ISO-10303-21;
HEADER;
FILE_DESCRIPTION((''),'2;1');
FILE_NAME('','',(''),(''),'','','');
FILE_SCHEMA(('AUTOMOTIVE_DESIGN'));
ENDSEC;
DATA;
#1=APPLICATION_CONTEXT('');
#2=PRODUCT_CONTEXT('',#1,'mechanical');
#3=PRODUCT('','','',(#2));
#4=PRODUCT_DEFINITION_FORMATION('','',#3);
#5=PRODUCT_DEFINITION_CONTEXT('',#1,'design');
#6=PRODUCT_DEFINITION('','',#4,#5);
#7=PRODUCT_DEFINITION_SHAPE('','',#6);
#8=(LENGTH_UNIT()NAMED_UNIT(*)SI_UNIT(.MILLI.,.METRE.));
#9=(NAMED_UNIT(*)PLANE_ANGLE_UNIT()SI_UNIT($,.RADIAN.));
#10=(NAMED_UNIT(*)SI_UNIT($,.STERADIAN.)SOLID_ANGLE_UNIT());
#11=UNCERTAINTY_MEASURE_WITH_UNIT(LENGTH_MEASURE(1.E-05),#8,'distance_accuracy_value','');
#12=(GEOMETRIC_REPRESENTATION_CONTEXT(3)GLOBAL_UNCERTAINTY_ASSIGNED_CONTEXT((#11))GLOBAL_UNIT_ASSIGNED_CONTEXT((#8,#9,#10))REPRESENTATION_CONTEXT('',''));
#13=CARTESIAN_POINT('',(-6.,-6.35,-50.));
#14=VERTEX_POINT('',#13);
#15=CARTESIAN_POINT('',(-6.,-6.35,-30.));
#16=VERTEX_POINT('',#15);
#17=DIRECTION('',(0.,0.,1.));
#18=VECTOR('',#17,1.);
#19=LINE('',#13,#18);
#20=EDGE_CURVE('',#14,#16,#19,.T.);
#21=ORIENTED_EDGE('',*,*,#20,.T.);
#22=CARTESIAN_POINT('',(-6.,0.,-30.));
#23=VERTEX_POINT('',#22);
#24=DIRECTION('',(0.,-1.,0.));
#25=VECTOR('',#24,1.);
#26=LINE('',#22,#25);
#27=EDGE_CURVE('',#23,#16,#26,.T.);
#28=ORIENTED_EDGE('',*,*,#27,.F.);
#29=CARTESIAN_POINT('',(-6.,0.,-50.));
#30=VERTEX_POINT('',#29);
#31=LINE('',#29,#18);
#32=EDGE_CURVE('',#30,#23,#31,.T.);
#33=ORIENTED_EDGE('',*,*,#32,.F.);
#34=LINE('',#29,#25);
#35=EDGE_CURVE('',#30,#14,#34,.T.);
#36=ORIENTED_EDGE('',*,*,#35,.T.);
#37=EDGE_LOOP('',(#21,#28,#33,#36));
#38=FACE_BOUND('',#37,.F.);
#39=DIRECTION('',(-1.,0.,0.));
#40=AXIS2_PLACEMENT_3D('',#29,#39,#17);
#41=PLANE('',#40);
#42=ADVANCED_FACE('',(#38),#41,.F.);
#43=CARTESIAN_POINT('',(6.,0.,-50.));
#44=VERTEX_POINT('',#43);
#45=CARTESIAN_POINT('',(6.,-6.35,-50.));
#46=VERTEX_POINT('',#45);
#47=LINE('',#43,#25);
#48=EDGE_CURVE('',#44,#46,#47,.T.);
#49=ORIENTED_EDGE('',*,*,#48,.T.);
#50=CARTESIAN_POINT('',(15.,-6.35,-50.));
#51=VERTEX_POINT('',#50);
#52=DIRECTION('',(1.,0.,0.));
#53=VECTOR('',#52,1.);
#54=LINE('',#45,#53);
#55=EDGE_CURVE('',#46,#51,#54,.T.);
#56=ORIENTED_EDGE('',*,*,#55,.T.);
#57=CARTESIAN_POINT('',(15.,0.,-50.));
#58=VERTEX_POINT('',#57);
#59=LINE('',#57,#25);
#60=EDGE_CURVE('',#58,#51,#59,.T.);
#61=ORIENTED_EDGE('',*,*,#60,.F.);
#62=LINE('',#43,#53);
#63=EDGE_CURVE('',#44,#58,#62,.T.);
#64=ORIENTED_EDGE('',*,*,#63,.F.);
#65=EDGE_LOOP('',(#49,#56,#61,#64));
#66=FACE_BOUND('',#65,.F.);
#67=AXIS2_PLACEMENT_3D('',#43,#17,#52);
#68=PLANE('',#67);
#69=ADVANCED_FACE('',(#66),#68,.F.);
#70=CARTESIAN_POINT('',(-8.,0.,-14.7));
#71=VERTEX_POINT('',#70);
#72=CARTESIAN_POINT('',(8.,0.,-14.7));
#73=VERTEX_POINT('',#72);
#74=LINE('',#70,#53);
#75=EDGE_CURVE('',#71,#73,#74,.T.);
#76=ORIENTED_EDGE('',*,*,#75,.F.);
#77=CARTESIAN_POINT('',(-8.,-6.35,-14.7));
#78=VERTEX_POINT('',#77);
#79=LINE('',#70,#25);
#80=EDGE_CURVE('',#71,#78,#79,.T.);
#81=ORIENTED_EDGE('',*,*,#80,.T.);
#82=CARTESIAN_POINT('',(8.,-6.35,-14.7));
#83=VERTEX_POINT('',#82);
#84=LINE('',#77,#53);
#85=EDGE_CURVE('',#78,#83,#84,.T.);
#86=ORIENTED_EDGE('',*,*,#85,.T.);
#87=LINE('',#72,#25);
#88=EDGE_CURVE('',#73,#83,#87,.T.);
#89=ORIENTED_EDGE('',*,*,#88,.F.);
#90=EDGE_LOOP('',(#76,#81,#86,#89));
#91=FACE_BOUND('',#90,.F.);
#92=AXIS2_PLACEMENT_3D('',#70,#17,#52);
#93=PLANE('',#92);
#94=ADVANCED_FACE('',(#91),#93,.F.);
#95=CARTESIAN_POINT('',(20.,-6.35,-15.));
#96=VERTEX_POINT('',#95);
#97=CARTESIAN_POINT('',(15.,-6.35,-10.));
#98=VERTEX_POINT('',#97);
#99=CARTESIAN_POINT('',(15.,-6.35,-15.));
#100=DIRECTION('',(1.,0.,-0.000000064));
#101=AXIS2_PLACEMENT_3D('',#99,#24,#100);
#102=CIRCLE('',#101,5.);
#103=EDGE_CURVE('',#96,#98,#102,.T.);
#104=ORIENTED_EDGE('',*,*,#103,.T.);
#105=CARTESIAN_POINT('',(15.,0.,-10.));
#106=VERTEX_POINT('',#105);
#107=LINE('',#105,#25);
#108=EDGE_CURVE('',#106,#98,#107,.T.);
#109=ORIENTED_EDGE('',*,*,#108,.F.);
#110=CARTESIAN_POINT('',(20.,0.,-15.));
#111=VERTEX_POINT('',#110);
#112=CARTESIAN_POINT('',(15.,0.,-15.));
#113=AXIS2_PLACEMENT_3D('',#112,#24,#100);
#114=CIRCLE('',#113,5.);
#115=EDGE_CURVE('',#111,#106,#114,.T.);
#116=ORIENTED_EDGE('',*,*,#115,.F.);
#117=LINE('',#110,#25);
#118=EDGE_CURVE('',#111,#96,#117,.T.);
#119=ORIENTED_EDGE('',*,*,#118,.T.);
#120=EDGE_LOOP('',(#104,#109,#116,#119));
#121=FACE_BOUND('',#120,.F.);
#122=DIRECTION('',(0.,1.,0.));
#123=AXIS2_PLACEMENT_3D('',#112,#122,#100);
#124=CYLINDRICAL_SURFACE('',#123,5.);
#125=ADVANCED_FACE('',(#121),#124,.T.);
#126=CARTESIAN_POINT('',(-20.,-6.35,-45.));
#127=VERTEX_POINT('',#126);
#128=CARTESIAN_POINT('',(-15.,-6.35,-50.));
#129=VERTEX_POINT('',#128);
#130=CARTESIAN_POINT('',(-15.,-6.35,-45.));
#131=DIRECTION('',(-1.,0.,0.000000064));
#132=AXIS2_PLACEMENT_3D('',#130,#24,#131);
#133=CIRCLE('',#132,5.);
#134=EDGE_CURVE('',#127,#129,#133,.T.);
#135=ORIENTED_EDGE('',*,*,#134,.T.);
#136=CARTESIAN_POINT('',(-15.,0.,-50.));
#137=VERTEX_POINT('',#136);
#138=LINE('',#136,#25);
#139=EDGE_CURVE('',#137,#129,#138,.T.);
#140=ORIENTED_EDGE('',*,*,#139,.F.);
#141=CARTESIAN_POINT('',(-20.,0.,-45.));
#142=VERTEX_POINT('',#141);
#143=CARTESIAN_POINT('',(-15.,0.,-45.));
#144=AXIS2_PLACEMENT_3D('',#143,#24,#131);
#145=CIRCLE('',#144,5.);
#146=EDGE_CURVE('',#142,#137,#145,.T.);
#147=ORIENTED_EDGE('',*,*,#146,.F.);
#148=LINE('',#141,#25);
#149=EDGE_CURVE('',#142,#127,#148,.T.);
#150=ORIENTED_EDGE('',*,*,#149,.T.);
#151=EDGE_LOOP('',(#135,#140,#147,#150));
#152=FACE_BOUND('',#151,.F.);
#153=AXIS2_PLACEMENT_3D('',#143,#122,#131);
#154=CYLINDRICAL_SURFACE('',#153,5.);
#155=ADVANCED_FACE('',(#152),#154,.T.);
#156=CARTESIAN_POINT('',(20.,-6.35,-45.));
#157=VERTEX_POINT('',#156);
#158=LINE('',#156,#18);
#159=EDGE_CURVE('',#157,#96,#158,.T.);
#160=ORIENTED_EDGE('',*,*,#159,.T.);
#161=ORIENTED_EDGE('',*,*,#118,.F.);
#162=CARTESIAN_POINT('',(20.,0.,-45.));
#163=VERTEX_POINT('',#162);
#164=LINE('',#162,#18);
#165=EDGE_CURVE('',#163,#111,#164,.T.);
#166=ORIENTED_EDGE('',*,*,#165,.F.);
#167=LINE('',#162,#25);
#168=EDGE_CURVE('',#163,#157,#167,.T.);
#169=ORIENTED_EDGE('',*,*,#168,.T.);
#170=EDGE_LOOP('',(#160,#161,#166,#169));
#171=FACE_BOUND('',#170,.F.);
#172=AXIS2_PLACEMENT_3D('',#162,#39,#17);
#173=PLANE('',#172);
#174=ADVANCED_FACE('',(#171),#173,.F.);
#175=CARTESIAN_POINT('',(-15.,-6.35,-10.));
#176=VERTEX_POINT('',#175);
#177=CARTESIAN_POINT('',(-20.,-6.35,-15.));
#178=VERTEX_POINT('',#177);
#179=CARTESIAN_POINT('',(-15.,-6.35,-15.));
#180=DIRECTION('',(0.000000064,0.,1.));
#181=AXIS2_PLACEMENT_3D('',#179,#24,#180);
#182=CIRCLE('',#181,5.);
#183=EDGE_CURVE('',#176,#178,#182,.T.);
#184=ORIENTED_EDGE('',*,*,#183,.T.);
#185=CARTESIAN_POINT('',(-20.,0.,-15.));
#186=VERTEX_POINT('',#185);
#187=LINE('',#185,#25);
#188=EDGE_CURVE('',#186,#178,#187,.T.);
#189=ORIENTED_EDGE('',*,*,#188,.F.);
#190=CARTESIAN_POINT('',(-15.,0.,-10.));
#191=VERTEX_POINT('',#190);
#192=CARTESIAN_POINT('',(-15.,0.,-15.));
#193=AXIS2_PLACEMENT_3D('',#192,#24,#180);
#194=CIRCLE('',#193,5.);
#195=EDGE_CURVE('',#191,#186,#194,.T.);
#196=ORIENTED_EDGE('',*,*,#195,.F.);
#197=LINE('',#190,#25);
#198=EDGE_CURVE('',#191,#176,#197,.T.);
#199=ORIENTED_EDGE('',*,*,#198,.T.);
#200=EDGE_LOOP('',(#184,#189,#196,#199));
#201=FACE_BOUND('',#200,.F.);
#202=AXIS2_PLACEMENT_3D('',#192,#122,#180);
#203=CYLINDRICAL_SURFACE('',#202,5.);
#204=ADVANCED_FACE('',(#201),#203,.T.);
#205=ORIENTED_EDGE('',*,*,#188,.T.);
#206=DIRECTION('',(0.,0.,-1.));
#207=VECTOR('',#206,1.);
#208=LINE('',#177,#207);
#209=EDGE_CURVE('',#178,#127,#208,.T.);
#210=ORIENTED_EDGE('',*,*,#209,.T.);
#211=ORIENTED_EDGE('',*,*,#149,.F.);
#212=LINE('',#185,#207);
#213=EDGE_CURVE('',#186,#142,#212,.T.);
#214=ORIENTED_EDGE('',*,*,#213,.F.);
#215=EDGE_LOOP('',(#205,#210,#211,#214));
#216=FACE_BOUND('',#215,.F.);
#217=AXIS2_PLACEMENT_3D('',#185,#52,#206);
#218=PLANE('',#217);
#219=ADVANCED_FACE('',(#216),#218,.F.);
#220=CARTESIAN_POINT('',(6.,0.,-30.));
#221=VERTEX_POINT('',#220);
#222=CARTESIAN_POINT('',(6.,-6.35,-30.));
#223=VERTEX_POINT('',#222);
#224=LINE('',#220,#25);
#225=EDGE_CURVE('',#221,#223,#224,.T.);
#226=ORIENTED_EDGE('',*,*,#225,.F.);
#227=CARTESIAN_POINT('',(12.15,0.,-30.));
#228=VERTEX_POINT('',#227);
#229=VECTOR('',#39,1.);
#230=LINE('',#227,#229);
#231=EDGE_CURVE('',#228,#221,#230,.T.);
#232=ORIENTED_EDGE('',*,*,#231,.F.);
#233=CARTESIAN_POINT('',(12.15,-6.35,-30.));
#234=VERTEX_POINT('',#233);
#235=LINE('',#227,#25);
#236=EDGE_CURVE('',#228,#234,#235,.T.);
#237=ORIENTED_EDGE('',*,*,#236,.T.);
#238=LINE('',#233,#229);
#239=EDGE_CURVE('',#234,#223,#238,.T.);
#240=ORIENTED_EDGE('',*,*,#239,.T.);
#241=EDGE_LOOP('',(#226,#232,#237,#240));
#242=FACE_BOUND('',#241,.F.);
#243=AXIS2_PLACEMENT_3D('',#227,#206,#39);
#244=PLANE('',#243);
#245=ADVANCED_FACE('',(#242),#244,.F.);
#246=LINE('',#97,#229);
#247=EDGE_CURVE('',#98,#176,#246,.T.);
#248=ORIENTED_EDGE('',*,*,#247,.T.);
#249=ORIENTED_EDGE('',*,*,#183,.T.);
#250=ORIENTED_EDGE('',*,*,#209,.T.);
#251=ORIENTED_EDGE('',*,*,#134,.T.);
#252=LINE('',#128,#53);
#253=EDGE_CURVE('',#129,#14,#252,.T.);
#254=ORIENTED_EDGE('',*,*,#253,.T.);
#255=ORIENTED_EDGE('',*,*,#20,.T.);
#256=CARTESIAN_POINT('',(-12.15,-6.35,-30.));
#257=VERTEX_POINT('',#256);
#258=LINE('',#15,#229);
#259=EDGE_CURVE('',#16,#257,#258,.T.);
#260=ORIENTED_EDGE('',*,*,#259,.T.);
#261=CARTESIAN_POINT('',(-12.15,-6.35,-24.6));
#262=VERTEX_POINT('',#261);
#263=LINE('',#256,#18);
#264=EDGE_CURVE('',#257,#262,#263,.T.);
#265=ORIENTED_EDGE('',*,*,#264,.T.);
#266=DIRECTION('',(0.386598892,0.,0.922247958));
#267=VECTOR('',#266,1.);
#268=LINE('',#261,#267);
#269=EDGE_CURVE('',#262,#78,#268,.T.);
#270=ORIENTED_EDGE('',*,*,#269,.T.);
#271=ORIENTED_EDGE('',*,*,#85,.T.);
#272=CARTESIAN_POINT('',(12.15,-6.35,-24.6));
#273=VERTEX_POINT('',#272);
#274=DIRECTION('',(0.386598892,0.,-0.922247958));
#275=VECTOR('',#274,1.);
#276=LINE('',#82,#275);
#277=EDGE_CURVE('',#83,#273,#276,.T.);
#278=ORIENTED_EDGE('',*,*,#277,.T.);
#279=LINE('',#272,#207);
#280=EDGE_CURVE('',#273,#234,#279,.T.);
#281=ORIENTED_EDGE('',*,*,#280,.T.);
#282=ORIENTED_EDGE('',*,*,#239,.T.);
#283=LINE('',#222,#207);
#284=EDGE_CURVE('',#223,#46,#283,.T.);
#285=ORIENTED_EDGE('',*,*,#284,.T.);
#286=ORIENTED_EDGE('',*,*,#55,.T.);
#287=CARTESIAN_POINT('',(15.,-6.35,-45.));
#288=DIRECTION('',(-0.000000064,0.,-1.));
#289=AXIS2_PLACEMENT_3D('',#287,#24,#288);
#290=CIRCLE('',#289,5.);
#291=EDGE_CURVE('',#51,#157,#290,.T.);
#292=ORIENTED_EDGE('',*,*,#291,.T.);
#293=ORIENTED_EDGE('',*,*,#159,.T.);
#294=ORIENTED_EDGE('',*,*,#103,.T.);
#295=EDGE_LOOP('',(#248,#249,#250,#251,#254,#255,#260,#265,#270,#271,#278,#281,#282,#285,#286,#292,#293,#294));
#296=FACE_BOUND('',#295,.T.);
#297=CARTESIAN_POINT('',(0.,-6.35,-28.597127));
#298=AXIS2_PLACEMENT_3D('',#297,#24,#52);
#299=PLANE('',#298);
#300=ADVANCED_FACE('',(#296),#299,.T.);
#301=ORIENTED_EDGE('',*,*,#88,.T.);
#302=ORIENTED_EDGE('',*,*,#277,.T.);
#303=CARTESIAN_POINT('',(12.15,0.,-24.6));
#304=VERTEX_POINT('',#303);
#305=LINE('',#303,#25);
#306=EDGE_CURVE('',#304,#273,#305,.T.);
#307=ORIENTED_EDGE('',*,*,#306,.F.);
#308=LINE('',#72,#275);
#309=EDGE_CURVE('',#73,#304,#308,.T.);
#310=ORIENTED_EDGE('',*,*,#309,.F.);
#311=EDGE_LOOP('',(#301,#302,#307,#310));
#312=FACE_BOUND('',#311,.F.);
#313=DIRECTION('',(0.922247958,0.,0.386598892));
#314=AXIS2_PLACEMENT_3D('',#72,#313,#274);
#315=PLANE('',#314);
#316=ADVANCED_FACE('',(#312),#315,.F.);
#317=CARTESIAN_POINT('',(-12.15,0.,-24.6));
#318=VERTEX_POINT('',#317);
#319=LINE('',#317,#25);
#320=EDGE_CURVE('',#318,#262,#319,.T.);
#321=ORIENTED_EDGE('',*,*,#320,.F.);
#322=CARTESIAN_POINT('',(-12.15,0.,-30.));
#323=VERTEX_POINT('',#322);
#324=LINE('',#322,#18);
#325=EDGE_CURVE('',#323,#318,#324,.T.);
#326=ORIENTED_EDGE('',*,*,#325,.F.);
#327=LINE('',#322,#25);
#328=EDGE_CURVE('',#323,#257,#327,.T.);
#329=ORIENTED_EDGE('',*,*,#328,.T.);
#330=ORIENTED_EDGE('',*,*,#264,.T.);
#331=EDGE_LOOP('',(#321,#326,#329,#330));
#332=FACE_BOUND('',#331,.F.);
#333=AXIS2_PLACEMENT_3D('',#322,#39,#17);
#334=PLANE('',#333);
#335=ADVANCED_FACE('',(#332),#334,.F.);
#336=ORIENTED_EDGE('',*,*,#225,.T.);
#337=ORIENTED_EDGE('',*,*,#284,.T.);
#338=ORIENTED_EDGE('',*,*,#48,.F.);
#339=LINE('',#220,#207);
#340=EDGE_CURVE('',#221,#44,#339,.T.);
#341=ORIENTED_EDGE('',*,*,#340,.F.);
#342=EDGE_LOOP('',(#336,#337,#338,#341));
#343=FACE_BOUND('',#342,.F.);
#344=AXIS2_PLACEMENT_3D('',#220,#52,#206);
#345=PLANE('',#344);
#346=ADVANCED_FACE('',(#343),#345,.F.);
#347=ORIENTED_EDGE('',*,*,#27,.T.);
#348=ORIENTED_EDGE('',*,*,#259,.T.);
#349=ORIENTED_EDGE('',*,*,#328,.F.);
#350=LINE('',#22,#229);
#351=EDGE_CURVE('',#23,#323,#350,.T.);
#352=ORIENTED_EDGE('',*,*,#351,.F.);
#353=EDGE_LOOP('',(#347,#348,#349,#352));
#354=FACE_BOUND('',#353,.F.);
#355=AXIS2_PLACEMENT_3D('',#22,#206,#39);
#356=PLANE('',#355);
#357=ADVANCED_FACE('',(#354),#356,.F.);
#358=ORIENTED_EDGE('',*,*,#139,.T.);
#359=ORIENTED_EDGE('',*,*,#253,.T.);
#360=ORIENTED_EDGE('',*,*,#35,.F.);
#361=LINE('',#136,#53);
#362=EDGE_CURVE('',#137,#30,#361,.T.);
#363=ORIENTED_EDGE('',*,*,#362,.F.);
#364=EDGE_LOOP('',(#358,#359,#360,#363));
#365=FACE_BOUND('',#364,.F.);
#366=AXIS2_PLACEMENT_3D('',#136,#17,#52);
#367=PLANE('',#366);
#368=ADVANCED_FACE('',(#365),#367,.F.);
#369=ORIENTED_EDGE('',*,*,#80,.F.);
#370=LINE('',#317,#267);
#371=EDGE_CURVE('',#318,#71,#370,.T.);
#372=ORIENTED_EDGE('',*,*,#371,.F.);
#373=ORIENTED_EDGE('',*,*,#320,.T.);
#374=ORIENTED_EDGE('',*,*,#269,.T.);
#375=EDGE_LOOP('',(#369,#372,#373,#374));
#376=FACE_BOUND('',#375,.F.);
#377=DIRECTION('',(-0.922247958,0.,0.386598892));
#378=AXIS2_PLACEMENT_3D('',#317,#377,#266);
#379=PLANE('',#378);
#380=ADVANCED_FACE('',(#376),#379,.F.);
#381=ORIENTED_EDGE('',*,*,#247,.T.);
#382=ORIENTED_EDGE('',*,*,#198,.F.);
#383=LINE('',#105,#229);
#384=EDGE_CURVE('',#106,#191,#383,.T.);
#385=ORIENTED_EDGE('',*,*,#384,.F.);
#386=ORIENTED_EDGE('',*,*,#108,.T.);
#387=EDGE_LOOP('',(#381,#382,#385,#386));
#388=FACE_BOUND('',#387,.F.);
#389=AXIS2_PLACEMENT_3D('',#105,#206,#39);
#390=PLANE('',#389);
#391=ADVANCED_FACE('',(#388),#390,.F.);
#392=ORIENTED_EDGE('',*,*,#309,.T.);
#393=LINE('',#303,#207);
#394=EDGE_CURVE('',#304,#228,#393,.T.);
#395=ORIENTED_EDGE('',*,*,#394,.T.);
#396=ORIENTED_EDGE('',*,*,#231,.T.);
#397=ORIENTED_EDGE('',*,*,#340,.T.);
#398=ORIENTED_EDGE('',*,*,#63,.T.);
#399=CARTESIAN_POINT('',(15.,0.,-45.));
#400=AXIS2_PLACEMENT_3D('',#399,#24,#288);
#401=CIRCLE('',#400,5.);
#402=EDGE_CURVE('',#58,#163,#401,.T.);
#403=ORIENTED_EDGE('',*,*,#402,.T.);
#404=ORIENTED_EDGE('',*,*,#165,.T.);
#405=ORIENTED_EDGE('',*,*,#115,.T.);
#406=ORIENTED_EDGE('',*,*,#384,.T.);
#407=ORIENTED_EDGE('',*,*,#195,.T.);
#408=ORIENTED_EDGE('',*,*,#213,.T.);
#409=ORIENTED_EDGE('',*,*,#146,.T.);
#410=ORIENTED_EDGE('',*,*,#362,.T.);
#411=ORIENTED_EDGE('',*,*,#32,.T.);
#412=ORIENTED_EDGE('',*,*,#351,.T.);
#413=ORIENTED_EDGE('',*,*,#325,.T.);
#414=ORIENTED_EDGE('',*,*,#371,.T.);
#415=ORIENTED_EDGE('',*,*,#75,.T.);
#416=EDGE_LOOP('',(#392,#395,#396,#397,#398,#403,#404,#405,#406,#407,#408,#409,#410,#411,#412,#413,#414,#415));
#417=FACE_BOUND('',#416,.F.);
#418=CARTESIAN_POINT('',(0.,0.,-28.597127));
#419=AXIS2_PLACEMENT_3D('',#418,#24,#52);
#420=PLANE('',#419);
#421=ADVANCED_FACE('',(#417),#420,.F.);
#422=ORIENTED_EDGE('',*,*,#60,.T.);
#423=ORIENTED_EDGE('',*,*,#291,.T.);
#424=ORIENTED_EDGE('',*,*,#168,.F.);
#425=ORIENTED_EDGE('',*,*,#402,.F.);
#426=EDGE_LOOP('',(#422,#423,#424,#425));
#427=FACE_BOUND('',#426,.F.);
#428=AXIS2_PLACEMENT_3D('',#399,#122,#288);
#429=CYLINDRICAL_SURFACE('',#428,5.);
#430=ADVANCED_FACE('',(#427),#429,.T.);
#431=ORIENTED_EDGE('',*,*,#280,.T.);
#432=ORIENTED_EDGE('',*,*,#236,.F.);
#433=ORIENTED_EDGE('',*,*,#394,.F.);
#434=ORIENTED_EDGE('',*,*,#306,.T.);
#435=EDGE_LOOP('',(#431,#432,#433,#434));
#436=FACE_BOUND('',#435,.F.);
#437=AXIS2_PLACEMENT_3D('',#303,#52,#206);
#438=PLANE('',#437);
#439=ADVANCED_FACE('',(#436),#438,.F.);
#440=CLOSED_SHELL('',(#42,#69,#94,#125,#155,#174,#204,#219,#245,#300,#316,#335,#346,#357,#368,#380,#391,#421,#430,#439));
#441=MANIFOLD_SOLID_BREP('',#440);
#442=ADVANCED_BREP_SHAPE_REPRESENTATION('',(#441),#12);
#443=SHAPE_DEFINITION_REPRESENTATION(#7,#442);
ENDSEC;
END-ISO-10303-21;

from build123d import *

# Parameters (mm, degrees)
F1_DEPTH = 6.35


with BuildPart() as f1:
    # F0 (on Front) → F1 (new body)
    with BuildSketch(Plane.XZ):
        with BuildLine():
            Line((-12.15, -24.6), (-8, -14.7))
            Line((-8, -14.7), (8, -14.7))
            Line((8, -14.7), (12.15, -24.6))
            Line((12.15, -24.6), (12.15, -30))
            Line((12.15, -30), (6, -30))
            Line((6, -30), (6, -50))
            Line((6, -50), (15, -50))
            ThreePointArc((15, -50), (18.535534, -48.535534), (20, -45))
            Line((20, -45), (20, -15))
            ThreePointArc((20, -15), (18.535534, -11.464466), (15, -10))
            Line((15, -10), (-15, -10))
            ThreePointArc((-15, -10), (-18.535534, -11.464466), (-20, -15))
            Line((-20, -15), (-20, -45))
            ThreePointArc((-20, -45), (-18.535534, -48.535534), (-15, -50))
            Line((-15, -50), (-6, -50))
            Line((-6, -50), (-6, -30))
            Line((-6, -30), (-12.15, -30))
            Line((-12.15, -30), (-12.15, -24.6))
        make_face()
    extrude(amount=F1_DEPTH)


solid = f1.part
